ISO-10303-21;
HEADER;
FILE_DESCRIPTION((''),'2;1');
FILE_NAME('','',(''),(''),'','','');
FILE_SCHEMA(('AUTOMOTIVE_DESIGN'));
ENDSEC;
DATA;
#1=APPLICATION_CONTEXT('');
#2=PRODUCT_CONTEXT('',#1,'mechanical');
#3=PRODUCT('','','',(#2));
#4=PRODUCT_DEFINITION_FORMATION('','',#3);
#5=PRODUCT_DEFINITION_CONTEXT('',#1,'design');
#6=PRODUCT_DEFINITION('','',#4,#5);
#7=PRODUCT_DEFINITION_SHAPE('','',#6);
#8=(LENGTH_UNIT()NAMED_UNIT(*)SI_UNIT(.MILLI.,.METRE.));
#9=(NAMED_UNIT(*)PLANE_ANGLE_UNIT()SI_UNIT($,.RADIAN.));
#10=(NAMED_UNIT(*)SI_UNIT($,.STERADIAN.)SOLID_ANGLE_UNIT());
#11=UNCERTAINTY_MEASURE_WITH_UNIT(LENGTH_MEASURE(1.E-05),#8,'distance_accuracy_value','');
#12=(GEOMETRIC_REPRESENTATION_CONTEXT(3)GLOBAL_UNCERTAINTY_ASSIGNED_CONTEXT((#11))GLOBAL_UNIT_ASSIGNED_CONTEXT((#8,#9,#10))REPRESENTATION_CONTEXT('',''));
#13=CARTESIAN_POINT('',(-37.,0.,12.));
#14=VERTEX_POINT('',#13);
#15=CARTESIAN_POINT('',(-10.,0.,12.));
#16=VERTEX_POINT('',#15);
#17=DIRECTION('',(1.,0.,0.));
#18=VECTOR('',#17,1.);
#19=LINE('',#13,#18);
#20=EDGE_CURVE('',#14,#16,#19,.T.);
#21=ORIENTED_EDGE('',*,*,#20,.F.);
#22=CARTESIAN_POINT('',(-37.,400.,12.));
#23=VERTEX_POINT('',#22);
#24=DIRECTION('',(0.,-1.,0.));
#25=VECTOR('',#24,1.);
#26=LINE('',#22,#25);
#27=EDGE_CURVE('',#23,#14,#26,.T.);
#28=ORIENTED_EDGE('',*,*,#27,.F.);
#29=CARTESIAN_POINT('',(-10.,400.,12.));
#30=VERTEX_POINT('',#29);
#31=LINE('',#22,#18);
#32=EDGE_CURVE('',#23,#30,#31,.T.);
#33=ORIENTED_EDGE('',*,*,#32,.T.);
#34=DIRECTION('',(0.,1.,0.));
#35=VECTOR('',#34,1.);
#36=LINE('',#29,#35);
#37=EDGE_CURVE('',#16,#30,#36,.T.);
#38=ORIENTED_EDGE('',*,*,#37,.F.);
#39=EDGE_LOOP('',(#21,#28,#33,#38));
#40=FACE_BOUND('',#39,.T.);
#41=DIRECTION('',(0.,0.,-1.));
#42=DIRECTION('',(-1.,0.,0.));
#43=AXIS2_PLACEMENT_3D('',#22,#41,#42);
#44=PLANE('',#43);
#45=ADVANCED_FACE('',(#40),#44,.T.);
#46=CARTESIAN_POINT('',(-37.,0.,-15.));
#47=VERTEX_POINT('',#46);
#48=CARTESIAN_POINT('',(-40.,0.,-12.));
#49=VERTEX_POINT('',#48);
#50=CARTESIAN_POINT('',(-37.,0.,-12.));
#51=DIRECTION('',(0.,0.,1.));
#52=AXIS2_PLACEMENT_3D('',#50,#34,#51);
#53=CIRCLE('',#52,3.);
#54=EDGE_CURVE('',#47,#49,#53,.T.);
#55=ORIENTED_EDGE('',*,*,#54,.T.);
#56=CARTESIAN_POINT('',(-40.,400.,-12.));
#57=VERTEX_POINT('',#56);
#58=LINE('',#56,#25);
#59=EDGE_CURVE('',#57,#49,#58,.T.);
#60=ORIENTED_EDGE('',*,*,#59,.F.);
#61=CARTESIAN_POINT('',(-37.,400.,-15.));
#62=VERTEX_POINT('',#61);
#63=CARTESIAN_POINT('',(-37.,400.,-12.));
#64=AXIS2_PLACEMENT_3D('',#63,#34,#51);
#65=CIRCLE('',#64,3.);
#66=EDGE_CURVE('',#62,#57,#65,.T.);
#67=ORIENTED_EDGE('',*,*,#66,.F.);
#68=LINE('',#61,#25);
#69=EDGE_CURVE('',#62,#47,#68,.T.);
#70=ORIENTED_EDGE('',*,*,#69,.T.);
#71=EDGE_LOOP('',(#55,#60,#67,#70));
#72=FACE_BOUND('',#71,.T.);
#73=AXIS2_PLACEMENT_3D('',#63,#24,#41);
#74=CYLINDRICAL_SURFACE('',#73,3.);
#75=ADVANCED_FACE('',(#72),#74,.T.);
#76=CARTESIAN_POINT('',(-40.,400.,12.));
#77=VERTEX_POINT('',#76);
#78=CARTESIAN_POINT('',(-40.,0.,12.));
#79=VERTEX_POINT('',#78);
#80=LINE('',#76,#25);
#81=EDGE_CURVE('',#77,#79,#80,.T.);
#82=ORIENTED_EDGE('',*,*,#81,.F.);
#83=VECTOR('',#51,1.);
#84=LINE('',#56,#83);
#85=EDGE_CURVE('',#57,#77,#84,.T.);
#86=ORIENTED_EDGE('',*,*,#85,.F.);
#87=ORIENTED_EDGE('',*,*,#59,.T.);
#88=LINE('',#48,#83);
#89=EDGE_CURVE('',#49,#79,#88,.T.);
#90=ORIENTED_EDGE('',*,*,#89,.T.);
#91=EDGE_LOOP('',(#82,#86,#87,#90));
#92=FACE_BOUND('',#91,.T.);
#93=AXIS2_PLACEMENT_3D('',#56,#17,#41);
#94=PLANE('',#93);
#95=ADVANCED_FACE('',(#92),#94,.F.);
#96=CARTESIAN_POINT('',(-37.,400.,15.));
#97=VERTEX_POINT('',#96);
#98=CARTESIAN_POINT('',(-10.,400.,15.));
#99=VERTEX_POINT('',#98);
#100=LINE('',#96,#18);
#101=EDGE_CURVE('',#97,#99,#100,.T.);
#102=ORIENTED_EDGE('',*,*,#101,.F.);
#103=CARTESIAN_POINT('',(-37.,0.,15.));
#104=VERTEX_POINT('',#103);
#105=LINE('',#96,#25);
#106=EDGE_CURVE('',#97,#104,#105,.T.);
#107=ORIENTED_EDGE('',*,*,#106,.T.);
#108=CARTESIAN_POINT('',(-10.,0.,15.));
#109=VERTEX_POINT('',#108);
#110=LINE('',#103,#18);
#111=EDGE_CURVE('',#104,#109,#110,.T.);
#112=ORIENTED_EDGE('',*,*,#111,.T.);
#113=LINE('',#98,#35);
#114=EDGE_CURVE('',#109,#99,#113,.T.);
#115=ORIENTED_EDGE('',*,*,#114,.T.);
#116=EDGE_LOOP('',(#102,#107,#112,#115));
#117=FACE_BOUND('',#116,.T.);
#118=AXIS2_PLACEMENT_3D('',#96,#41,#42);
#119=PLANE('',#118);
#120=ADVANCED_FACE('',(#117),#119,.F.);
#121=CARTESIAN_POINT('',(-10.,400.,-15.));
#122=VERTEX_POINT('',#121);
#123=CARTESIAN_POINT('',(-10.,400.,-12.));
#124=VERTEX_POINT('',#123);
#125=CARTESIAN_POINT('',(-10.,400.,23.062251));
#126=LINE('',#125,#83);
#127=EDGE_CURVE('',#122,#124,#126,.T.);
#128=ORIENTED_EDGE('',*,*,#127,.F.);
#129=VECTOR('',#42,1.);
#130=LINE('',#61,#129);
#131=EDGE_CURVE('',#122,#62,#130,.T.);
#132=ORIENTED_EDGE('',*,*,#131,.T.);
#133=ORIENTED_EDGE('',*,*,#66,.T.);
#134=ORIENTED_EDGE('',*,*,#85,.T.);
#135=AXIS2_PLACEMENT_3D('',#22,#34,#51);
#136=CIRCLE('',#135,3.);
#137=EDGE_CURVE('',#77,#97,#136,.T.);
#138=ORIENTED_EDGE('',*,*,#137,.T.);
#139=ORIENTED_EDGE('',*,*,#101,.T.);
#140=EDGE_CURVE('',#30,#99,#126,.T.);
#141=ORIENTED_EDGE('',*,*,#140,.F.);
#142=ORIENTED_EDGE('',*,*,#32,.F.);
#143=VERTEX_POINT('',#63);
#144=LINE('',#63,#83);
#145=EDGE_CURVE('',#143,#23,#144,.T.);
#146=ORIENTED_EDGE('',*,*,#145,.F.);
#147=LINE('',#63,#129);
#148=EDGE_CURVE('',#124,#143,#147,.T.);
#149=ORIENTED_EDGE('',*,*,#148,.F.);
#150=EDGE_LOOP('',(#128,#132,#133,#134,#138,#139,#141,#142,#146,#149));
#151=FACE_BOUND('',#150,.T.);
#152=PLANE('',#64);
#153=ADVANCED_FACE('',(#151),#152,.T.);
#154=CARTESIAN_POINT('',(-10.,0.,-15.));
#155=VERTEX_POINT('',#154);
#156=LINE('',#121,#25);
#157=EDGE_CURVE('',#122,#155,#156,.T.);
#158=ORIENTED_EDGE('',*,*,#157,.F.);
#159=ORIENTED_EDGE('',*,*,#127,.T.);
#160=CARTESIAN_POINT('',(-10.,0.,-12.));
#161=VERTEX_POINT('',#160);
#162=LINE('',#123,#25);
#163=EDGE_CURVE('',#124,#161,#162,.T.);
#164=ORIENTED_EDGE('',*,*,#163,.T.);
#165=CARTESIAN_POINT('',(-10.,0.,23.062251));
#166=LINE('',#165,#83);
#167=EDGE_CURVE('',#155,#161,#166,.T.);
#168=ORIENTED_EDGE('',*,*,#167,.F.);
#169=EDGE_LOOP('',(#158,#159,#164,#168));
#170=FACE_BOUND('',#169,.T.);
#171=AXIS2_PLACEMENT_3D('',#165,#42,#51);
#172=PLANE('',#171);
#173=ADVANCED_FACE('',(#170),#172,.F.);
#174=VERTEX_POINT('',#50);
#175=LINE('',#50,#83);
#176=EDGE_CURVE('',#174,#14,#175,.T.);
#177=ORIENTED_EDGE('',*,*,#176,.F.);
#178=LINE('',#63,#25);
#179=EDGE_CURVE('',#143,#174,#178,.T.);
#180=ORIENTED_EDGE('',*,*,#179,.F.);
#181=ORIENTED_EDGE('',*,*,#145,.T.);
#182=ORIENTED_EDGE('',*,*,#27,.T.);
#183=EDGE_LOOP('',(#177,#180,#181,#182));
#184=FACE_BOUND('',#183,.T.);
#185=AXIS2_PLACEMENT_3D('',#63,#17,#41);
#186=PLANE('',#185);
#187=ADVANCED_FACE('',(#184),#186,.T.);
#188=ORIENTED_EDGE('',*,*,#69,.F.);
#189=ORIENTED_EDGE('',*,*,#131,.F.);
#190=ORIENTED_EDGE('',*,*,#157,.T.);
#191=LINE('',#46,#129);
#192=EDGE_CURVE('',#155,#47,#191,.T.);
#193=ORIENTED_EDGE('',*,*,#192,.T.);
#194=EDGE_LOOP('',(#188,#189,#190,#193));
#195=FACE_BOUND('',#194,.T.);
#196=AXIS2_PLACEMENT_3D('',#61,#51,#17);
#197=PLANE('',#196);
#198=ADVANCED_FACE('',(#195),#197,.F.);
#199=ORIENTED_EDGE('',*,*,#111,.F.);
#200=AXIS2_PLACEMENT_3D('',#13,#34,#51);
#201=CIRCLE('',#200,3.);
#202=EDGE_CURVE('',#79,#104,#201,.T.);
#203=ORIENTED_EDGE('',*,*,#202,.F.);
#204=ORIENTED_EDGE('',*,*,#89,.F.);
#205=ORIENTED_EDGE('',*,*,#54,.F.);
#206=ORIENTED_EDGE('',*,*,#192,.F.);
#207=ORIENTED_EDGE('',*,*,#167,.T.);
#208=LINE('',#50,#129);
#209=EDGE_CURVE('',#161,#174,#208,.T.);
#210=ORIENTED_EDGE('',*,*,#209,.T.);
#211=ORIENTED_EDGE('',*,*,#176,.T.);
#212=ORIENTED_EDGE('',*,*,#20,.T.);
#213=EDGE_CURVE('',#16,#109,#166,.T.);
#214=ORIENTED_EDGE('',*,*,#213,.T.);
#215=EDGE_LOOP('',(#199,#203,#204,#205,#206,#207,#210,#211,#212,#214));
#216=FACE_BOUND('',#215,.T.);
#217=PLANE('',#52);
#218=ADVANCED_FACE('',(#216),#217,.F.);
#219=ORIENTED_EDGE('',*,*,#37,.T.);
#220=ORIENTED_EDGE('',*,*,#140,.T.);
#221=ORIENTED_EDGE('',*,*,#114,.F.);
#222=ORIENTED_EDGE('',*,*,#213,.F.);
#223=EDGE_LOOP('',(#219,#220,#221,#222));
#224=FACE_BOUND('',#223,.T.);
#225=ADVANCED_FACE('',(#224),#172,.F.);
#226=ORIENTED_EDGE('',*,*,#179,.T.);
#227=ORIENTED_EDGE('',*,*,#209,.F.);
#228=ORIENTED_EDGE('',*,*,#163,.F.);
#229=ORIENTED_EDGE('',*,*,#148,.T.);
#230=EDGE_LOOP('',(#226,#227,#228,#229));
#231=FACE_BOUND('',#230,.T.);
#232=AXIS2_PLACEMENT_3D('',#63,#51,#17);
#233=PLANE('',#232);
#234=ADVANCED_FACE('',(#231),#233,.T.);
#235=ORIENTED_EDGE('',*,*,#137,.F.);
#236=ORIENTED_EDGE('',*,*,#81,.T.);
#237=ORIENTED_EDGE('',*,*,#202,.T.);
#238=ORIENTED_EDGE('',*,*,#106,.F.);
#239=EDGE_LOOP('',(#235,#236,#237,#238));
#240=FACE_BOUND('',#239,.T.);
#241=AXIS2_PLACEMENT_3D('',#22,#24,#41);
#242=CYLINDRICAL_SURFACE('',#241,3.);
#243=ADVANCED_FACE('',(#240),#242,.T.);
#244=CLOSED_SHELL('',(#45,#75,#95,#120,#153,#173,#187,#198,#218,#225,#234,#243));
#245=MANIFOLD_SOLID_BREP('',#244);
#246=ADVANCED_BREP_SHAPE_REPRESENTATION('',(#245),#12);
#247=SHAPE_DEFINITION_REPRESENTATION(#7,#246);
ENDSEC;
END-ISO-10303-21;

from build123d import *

# Parameters (mm, degrees)
SKETCH_1_W          = 74
SKETCH_1_H          = 24
EXTRUDE_1_DEPTH     = 400
SKETCH_2_W          = 51.146480438
SKETCH_2_H          = 44.035025014
CUT_EXTRUDE_1_DEPTH = 401


with BuildPart() as part:
    # Эскиз1 → Вытянуть-Тонкостенный1 (new body)
    with BuildSketch(Plane(origin=(0, 0, 0), x_dir=(1, 0, 0), z_dir=(0, 1, 0))):
        with BuildLine():
            Line((40, 12), (40, -12))
            ThreePointArc((40, -12), (39.121320344, -14.121320344), (37, -15))
            Line((37, -15), (-37, -15))
            ThreePointArc((-37, -15), (-39.121320344, -14.121320344), (-40, -12))
            Line((-40, -12), (-40, 12))
            ThreePointArc((-40, 12), (-39.121320344, 14.121320344), (-37, 15))
            Line((-37, 15), (37, 15))
            ThreePointArc((37, 15), (39.121320344, 14.121320344), (40, 12))
        make_face()
        Rectangle(SKETCH_1_W, SKETCH_1_H, mode=Mode.SUBTRACT)
    extrude(amount=EXTRUDE_1_DEPTH)

    # Эскиз2 → Вырез-Вытянуть1 (cut, through all)
    with BuildSketch(Plane(origin=(0, 400, 0), x_dir=(1, 0, 0), z_dir=(0, 1, 0))):
        with Locations((15.573240219, -1.044738789)):
            Rectangle(SKETCH_2_W, SKETCH_2_H)
    extrude(amount=-CUT_EXTRUDE_1_DEPTH, mode=Mode.SUBTRACT)


solid = part.part
